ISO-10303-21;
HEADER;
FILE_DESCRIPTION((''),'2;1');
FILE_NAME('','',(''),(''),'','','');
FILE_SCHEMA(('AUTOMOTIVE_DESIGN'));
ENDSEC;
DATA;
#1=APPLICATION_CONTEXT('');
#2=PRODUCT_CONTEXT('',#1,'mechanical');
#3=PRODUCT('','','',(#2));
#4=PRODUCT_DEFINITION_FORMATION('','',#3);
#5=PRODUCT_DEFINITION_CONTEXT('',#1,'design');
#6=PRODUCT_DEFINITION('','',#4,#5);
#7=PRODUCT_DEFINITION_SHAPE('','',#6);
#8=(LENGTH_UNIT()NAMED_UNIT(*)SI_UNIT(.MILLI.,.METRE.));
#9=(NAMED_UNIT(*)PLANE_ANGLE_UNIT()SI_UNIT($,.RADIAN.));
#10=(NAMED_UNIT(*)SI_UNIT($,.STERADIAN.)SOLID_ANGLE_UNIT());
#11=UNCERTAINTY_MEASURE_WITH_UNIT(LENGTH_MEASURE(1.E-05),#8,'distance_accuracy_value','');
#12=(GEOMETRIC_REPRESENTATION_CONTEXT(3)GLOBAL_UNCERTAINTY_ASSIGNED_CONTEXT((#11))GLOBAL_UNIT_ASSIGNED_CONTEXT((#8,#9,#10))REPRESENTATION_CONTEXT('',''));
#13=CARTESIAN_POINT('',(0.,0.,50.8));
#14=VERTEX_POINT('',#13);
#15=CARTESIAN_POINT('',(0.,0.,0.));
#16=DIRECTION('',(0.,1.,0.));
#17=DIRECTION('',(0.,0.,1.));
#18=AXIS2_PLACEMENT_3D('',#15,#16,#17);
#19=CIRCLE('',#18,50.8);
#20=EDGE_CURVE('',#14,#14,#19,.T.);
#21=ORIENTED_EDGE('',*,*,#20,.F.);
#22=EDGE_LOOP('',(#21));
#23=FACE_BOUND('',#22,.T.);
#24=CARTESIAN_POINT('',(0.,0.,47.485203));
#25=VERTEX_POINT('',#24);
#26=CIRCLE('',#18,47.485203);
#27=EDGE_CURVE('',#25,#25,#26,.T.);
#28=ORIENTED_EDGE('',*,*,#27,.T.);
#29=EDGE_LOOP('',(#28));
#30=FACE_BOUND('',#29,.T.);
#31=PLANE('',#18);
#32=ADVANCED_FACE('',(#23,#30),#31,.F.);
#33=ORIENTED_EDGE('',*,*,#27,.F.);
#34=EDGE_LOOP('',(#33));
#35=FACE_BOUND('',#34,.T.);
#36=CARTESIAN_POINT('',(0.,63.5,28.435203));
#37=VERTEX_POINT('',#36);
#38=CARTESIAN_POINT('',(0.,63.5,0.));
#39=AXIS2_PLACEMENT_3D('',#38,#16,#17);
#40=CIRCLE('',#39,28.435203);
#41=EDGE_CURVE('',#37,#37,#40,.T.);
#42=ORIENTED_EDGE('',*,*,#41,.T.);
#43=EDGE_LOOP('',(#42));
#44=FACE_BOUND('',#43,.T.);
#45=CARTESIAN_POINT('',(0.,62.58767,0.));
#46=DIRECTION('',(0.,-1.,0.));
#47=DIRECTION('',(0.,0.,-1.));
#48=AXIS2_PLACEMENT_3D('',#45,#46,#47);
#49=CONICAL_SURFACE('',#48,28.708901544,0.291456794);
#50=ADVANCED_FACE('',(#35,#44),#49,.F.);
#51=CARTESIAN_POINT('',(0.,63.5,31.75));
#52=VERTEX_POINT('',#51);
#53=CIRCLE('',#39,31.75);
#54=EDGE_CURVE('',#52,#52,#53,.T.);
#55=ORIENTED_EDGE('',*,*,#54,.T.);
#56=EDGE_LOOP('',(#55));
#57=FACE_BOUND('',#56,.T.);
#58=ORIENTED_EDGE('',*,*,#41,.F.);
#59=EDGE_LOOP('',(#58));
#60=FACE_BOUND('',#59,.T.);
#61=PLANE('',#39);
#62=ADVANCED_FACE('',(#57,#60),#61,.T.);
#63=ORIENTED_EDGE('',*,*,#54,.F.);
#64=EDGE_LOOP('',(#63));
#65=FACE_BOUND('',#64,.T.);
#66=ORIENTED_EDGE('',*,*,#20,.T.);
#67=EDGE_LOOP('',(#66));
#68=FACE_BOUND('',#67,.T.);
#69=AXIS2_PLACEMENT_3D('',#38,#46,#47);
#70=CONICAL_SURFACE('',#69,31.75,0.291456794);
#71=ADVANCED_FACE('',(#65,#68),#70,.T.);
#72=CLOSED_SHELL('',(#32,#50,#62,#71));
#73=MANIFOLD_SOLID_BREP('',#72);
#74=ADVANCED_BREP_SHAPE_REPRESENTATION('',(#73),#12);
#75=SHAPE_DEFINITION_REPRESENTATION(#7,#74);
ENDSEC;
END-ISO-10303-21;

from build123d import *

# Parameters (mm, degrees)
SKETCH2_R = 31.75
SKETCH1_R = 50.8
SHELL1_T  = -3.175


with BuildPart() as part:
    # Sketch2 → Loft1 section 0
    with BuildSketch(Plane(origin=(0, 63.5, 0), x_dir=(1, 0, 0), z_dir=(0, 1, 0))):
        Circle(SKETCH2_R)
    # Sketch1 → Loft1 section 1
    with BuildSketch(Plane(origin=(0, 0, 0), x_dir=(1, 0, 0), z_dir=(0, 1, 0))):
        Circle(SKETCH1_R)
    loft()

    # Shell1
    shell1_openings = [part.faces().sort_by_distance(p)[0] for p in [
        (0, 0, 0),
        (0, 63.5, 0),
    ]]
    offset(amount=SHELL1_T, openings=shell1_openings, kind=Kind.INTERSECTION)


solid = part.part
